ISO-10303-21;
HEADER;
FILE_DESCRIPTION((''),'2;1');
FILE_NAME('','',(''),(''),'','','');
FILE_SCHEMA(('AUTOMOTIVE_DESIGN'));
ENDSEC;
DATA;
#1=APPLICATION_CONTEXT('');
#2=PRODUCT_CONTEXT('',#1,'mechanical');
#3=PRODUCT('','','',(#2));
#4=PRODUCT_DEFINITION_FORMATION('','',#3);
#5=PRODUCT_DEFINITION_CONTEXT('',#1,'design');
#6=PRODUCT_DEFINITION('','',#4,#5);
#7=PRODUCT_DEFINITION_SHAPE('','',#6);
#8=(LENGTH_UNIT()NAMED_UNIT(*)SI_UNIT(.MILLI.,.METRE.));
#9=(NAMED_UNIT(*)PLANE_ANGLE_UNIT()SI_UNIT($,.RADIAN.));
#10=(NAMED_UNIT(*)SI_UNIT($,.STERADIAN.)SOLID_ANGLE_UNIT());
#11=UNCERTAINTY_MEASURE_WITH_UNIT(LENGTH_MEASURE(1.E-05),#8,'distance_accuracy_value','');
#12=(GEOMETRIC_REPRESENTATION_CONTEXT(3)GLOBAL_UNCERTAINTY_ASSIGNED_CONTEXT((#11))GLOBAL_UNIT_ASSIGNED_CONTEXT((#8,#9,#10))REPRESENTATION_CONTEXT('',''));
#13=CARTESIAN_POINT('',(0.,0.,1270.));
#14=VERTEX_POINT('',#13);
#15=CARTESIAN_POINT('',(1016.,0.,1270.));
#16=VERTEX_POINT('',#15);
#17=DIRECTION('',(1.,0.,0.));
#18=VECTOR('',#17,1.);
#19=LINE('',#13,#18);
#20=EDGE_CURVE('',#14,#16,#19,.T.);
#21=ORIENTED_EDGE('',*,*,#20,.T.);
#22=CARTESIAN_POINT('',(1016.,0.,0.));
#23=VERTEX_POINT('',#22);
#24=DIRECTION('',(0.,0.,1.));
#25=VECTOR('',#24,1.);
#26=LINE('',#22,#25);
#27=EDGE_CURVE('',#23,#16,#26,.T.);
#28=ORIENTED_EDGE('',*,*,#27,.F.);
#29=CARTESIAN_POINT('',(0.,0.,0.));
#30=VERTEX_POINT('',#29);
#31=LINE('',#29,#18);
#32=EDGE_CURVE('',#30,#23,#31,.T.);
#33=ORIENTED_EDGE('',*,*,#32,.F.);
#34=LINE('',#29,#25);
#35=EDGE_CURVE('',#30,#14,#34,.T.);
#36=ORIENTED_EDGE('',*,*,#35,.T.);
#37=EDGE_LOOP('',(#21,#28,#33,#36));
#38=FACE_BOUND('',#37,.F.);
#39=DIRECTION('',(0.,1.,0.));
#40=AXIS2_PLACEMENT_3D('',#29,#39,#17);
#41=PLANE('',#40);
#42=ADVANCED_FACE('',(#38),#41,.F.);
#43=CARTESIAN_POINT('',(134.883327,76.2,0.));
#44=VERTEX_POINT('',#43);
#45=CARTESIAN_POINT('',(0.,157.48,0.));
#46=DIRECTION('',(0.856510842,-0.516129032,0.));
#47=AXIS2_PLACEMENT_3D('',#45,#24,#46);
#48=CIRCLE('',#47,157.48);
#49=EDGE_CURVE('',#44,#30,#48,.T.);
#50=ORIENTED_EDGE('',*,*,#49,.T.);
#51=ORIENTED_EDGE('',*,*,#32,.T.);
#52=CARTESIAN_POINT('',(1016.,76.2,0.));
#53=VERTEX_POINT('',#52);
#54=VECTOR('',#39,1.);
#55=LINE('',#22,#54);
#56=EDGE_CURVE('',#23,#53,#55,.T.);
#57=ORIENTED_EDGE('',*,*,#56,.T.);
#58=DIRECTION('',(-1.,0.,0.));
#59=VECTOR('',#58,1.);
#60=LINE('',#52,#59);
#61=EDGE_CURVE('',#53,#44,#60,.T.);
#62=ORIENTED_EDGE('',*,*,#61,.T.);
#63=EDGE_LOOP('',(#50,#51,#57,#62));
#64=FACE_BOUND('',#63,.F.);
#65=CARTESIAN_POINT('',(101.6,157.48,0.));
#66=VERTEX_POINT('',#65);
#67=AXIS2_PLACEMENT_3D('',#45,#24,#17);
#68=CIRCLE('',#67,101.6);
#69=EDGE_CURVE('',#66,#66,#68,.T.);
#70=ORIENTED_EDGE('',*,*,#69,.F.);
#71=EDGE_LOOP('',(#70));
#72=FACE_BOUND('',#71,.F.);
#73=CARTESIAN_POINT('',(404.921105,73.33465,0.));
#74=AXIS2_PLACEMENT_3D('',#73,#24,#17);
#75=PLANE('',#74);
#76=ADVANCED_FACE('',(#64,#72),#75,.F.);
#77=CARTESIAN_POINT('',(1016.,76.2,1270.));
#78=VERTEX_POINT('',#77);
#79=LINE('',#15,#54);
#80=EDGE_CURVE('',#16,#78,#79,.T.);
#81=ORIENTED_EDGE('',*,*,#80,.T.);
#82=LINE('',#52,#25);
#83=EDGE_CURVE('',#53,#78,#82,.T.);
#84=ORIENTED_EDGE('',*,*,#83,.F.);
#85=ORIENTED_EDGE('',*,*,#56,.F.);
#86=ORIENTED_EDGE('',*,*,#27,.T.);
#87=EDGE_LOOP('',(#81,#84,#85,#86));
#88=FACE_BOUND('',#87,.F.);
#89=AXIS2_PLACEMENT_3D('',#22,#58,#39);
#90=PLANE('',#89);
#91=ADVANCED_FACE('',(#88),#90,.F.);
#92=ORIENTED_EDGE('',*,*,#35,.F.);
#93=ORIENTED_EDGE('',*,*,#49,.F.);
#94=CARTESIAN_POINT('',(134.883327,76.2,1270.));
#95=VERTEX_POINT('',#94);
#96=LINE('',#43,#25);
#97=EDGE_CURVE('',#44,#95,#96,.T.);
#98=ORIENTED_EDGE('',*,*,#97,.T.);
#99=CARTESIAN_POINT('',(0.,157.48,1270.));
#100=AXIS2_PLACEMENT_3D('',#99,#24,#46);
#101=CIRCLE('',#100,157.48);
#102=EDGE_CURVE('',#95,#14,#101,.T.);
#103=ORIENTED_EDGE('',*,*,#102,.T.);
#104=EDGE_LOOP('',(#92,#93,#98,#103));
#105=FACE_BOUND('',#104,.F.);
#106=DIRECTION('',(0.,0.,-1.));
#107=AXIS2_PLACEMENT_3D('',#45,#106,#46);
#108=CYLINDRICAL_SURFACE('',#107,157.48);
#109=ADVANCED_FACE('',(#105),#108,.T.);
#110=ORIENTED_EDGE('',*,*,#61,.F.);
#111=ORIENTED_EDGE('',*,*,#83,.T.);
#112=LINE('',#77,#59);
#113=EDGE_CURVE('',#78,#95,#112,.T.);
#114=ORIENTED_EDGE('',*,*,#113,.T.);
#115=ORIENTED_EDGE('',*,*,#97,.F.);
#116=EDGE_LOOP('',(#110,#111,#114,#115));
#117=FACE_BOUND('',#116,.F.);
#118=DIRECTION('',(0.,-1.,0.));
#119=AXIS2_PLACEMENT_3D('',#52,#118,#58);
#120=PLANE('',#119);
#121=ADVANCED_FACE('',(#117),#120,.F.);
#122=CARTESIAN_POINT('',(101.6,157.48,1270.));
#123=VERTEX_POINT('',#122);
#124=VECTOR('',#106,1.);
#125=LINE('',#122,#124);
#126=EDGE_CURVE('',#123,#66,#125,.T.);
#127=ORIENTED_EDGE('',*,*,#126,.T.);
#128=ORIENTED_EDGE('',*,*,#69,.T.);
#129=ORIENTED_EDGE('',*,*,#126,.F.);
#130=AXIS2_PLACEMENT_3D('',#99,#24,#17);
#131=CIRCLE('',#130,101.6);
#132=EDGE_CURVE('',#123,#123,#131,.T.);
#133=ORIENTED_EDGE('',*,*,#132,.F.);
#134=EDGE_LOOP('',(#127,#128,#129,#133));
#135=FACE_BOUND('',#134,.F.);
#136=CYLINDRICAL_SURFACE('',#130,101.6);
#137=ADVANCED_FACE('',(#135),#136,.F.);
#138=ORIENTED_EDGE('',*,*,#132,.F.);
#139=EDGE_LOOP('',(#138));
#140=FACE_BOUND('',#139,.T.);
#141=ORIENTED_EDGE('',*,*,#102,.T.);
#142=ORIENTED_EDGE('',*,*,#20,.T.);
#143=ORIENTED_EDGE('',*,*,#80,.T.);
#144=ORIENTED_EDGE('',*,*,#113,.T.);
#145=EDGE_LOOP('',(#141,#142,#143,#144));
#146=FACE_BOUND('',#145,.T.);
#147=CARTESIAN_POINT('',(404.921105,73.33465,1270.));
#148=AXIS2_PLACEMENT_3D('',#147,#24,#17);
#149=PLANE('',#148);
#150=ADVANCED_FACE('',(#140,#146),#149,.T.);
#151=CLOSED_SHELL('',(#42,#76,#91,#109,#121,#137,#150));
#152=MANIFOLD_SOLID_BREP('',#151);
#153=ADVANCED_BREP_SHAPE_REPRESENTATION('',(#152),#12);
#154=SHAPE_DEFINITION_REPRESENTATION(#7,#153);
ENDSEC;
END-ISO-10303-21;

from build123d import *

# Parameters (mm, degrees)
F1_DEPTH = 1270
F2_R     = 101.6
F3_DEPTH = 1270.001


with BuildPart() as f1:
    # F0 (on Top) → F1 (new body)
    with BuildSketch(Plane.XY):
        with BuildLine():
            ThreePointArc((134.883327, 76.2), (-77.459589, 294.592955), (0, 0))
            Line((0, 0), (1016, 0))
            Line((1016, 0), (1016, 76.2))
            Line((1016, 76.2), (134.883327, 76.2))
        make_face()
    extrude(amount=F1_DEPTH)

    # F2 (on face) → F3 (cut, through all)
    with BuildSketch(Plane.XY.offset(1270)):
        with Locations((0, 157.48)):
            Circle(F2_R)
    extrude(amount=-F3_DEPTH, mode=Mode.SUBTRACT)


solid = f1.part
